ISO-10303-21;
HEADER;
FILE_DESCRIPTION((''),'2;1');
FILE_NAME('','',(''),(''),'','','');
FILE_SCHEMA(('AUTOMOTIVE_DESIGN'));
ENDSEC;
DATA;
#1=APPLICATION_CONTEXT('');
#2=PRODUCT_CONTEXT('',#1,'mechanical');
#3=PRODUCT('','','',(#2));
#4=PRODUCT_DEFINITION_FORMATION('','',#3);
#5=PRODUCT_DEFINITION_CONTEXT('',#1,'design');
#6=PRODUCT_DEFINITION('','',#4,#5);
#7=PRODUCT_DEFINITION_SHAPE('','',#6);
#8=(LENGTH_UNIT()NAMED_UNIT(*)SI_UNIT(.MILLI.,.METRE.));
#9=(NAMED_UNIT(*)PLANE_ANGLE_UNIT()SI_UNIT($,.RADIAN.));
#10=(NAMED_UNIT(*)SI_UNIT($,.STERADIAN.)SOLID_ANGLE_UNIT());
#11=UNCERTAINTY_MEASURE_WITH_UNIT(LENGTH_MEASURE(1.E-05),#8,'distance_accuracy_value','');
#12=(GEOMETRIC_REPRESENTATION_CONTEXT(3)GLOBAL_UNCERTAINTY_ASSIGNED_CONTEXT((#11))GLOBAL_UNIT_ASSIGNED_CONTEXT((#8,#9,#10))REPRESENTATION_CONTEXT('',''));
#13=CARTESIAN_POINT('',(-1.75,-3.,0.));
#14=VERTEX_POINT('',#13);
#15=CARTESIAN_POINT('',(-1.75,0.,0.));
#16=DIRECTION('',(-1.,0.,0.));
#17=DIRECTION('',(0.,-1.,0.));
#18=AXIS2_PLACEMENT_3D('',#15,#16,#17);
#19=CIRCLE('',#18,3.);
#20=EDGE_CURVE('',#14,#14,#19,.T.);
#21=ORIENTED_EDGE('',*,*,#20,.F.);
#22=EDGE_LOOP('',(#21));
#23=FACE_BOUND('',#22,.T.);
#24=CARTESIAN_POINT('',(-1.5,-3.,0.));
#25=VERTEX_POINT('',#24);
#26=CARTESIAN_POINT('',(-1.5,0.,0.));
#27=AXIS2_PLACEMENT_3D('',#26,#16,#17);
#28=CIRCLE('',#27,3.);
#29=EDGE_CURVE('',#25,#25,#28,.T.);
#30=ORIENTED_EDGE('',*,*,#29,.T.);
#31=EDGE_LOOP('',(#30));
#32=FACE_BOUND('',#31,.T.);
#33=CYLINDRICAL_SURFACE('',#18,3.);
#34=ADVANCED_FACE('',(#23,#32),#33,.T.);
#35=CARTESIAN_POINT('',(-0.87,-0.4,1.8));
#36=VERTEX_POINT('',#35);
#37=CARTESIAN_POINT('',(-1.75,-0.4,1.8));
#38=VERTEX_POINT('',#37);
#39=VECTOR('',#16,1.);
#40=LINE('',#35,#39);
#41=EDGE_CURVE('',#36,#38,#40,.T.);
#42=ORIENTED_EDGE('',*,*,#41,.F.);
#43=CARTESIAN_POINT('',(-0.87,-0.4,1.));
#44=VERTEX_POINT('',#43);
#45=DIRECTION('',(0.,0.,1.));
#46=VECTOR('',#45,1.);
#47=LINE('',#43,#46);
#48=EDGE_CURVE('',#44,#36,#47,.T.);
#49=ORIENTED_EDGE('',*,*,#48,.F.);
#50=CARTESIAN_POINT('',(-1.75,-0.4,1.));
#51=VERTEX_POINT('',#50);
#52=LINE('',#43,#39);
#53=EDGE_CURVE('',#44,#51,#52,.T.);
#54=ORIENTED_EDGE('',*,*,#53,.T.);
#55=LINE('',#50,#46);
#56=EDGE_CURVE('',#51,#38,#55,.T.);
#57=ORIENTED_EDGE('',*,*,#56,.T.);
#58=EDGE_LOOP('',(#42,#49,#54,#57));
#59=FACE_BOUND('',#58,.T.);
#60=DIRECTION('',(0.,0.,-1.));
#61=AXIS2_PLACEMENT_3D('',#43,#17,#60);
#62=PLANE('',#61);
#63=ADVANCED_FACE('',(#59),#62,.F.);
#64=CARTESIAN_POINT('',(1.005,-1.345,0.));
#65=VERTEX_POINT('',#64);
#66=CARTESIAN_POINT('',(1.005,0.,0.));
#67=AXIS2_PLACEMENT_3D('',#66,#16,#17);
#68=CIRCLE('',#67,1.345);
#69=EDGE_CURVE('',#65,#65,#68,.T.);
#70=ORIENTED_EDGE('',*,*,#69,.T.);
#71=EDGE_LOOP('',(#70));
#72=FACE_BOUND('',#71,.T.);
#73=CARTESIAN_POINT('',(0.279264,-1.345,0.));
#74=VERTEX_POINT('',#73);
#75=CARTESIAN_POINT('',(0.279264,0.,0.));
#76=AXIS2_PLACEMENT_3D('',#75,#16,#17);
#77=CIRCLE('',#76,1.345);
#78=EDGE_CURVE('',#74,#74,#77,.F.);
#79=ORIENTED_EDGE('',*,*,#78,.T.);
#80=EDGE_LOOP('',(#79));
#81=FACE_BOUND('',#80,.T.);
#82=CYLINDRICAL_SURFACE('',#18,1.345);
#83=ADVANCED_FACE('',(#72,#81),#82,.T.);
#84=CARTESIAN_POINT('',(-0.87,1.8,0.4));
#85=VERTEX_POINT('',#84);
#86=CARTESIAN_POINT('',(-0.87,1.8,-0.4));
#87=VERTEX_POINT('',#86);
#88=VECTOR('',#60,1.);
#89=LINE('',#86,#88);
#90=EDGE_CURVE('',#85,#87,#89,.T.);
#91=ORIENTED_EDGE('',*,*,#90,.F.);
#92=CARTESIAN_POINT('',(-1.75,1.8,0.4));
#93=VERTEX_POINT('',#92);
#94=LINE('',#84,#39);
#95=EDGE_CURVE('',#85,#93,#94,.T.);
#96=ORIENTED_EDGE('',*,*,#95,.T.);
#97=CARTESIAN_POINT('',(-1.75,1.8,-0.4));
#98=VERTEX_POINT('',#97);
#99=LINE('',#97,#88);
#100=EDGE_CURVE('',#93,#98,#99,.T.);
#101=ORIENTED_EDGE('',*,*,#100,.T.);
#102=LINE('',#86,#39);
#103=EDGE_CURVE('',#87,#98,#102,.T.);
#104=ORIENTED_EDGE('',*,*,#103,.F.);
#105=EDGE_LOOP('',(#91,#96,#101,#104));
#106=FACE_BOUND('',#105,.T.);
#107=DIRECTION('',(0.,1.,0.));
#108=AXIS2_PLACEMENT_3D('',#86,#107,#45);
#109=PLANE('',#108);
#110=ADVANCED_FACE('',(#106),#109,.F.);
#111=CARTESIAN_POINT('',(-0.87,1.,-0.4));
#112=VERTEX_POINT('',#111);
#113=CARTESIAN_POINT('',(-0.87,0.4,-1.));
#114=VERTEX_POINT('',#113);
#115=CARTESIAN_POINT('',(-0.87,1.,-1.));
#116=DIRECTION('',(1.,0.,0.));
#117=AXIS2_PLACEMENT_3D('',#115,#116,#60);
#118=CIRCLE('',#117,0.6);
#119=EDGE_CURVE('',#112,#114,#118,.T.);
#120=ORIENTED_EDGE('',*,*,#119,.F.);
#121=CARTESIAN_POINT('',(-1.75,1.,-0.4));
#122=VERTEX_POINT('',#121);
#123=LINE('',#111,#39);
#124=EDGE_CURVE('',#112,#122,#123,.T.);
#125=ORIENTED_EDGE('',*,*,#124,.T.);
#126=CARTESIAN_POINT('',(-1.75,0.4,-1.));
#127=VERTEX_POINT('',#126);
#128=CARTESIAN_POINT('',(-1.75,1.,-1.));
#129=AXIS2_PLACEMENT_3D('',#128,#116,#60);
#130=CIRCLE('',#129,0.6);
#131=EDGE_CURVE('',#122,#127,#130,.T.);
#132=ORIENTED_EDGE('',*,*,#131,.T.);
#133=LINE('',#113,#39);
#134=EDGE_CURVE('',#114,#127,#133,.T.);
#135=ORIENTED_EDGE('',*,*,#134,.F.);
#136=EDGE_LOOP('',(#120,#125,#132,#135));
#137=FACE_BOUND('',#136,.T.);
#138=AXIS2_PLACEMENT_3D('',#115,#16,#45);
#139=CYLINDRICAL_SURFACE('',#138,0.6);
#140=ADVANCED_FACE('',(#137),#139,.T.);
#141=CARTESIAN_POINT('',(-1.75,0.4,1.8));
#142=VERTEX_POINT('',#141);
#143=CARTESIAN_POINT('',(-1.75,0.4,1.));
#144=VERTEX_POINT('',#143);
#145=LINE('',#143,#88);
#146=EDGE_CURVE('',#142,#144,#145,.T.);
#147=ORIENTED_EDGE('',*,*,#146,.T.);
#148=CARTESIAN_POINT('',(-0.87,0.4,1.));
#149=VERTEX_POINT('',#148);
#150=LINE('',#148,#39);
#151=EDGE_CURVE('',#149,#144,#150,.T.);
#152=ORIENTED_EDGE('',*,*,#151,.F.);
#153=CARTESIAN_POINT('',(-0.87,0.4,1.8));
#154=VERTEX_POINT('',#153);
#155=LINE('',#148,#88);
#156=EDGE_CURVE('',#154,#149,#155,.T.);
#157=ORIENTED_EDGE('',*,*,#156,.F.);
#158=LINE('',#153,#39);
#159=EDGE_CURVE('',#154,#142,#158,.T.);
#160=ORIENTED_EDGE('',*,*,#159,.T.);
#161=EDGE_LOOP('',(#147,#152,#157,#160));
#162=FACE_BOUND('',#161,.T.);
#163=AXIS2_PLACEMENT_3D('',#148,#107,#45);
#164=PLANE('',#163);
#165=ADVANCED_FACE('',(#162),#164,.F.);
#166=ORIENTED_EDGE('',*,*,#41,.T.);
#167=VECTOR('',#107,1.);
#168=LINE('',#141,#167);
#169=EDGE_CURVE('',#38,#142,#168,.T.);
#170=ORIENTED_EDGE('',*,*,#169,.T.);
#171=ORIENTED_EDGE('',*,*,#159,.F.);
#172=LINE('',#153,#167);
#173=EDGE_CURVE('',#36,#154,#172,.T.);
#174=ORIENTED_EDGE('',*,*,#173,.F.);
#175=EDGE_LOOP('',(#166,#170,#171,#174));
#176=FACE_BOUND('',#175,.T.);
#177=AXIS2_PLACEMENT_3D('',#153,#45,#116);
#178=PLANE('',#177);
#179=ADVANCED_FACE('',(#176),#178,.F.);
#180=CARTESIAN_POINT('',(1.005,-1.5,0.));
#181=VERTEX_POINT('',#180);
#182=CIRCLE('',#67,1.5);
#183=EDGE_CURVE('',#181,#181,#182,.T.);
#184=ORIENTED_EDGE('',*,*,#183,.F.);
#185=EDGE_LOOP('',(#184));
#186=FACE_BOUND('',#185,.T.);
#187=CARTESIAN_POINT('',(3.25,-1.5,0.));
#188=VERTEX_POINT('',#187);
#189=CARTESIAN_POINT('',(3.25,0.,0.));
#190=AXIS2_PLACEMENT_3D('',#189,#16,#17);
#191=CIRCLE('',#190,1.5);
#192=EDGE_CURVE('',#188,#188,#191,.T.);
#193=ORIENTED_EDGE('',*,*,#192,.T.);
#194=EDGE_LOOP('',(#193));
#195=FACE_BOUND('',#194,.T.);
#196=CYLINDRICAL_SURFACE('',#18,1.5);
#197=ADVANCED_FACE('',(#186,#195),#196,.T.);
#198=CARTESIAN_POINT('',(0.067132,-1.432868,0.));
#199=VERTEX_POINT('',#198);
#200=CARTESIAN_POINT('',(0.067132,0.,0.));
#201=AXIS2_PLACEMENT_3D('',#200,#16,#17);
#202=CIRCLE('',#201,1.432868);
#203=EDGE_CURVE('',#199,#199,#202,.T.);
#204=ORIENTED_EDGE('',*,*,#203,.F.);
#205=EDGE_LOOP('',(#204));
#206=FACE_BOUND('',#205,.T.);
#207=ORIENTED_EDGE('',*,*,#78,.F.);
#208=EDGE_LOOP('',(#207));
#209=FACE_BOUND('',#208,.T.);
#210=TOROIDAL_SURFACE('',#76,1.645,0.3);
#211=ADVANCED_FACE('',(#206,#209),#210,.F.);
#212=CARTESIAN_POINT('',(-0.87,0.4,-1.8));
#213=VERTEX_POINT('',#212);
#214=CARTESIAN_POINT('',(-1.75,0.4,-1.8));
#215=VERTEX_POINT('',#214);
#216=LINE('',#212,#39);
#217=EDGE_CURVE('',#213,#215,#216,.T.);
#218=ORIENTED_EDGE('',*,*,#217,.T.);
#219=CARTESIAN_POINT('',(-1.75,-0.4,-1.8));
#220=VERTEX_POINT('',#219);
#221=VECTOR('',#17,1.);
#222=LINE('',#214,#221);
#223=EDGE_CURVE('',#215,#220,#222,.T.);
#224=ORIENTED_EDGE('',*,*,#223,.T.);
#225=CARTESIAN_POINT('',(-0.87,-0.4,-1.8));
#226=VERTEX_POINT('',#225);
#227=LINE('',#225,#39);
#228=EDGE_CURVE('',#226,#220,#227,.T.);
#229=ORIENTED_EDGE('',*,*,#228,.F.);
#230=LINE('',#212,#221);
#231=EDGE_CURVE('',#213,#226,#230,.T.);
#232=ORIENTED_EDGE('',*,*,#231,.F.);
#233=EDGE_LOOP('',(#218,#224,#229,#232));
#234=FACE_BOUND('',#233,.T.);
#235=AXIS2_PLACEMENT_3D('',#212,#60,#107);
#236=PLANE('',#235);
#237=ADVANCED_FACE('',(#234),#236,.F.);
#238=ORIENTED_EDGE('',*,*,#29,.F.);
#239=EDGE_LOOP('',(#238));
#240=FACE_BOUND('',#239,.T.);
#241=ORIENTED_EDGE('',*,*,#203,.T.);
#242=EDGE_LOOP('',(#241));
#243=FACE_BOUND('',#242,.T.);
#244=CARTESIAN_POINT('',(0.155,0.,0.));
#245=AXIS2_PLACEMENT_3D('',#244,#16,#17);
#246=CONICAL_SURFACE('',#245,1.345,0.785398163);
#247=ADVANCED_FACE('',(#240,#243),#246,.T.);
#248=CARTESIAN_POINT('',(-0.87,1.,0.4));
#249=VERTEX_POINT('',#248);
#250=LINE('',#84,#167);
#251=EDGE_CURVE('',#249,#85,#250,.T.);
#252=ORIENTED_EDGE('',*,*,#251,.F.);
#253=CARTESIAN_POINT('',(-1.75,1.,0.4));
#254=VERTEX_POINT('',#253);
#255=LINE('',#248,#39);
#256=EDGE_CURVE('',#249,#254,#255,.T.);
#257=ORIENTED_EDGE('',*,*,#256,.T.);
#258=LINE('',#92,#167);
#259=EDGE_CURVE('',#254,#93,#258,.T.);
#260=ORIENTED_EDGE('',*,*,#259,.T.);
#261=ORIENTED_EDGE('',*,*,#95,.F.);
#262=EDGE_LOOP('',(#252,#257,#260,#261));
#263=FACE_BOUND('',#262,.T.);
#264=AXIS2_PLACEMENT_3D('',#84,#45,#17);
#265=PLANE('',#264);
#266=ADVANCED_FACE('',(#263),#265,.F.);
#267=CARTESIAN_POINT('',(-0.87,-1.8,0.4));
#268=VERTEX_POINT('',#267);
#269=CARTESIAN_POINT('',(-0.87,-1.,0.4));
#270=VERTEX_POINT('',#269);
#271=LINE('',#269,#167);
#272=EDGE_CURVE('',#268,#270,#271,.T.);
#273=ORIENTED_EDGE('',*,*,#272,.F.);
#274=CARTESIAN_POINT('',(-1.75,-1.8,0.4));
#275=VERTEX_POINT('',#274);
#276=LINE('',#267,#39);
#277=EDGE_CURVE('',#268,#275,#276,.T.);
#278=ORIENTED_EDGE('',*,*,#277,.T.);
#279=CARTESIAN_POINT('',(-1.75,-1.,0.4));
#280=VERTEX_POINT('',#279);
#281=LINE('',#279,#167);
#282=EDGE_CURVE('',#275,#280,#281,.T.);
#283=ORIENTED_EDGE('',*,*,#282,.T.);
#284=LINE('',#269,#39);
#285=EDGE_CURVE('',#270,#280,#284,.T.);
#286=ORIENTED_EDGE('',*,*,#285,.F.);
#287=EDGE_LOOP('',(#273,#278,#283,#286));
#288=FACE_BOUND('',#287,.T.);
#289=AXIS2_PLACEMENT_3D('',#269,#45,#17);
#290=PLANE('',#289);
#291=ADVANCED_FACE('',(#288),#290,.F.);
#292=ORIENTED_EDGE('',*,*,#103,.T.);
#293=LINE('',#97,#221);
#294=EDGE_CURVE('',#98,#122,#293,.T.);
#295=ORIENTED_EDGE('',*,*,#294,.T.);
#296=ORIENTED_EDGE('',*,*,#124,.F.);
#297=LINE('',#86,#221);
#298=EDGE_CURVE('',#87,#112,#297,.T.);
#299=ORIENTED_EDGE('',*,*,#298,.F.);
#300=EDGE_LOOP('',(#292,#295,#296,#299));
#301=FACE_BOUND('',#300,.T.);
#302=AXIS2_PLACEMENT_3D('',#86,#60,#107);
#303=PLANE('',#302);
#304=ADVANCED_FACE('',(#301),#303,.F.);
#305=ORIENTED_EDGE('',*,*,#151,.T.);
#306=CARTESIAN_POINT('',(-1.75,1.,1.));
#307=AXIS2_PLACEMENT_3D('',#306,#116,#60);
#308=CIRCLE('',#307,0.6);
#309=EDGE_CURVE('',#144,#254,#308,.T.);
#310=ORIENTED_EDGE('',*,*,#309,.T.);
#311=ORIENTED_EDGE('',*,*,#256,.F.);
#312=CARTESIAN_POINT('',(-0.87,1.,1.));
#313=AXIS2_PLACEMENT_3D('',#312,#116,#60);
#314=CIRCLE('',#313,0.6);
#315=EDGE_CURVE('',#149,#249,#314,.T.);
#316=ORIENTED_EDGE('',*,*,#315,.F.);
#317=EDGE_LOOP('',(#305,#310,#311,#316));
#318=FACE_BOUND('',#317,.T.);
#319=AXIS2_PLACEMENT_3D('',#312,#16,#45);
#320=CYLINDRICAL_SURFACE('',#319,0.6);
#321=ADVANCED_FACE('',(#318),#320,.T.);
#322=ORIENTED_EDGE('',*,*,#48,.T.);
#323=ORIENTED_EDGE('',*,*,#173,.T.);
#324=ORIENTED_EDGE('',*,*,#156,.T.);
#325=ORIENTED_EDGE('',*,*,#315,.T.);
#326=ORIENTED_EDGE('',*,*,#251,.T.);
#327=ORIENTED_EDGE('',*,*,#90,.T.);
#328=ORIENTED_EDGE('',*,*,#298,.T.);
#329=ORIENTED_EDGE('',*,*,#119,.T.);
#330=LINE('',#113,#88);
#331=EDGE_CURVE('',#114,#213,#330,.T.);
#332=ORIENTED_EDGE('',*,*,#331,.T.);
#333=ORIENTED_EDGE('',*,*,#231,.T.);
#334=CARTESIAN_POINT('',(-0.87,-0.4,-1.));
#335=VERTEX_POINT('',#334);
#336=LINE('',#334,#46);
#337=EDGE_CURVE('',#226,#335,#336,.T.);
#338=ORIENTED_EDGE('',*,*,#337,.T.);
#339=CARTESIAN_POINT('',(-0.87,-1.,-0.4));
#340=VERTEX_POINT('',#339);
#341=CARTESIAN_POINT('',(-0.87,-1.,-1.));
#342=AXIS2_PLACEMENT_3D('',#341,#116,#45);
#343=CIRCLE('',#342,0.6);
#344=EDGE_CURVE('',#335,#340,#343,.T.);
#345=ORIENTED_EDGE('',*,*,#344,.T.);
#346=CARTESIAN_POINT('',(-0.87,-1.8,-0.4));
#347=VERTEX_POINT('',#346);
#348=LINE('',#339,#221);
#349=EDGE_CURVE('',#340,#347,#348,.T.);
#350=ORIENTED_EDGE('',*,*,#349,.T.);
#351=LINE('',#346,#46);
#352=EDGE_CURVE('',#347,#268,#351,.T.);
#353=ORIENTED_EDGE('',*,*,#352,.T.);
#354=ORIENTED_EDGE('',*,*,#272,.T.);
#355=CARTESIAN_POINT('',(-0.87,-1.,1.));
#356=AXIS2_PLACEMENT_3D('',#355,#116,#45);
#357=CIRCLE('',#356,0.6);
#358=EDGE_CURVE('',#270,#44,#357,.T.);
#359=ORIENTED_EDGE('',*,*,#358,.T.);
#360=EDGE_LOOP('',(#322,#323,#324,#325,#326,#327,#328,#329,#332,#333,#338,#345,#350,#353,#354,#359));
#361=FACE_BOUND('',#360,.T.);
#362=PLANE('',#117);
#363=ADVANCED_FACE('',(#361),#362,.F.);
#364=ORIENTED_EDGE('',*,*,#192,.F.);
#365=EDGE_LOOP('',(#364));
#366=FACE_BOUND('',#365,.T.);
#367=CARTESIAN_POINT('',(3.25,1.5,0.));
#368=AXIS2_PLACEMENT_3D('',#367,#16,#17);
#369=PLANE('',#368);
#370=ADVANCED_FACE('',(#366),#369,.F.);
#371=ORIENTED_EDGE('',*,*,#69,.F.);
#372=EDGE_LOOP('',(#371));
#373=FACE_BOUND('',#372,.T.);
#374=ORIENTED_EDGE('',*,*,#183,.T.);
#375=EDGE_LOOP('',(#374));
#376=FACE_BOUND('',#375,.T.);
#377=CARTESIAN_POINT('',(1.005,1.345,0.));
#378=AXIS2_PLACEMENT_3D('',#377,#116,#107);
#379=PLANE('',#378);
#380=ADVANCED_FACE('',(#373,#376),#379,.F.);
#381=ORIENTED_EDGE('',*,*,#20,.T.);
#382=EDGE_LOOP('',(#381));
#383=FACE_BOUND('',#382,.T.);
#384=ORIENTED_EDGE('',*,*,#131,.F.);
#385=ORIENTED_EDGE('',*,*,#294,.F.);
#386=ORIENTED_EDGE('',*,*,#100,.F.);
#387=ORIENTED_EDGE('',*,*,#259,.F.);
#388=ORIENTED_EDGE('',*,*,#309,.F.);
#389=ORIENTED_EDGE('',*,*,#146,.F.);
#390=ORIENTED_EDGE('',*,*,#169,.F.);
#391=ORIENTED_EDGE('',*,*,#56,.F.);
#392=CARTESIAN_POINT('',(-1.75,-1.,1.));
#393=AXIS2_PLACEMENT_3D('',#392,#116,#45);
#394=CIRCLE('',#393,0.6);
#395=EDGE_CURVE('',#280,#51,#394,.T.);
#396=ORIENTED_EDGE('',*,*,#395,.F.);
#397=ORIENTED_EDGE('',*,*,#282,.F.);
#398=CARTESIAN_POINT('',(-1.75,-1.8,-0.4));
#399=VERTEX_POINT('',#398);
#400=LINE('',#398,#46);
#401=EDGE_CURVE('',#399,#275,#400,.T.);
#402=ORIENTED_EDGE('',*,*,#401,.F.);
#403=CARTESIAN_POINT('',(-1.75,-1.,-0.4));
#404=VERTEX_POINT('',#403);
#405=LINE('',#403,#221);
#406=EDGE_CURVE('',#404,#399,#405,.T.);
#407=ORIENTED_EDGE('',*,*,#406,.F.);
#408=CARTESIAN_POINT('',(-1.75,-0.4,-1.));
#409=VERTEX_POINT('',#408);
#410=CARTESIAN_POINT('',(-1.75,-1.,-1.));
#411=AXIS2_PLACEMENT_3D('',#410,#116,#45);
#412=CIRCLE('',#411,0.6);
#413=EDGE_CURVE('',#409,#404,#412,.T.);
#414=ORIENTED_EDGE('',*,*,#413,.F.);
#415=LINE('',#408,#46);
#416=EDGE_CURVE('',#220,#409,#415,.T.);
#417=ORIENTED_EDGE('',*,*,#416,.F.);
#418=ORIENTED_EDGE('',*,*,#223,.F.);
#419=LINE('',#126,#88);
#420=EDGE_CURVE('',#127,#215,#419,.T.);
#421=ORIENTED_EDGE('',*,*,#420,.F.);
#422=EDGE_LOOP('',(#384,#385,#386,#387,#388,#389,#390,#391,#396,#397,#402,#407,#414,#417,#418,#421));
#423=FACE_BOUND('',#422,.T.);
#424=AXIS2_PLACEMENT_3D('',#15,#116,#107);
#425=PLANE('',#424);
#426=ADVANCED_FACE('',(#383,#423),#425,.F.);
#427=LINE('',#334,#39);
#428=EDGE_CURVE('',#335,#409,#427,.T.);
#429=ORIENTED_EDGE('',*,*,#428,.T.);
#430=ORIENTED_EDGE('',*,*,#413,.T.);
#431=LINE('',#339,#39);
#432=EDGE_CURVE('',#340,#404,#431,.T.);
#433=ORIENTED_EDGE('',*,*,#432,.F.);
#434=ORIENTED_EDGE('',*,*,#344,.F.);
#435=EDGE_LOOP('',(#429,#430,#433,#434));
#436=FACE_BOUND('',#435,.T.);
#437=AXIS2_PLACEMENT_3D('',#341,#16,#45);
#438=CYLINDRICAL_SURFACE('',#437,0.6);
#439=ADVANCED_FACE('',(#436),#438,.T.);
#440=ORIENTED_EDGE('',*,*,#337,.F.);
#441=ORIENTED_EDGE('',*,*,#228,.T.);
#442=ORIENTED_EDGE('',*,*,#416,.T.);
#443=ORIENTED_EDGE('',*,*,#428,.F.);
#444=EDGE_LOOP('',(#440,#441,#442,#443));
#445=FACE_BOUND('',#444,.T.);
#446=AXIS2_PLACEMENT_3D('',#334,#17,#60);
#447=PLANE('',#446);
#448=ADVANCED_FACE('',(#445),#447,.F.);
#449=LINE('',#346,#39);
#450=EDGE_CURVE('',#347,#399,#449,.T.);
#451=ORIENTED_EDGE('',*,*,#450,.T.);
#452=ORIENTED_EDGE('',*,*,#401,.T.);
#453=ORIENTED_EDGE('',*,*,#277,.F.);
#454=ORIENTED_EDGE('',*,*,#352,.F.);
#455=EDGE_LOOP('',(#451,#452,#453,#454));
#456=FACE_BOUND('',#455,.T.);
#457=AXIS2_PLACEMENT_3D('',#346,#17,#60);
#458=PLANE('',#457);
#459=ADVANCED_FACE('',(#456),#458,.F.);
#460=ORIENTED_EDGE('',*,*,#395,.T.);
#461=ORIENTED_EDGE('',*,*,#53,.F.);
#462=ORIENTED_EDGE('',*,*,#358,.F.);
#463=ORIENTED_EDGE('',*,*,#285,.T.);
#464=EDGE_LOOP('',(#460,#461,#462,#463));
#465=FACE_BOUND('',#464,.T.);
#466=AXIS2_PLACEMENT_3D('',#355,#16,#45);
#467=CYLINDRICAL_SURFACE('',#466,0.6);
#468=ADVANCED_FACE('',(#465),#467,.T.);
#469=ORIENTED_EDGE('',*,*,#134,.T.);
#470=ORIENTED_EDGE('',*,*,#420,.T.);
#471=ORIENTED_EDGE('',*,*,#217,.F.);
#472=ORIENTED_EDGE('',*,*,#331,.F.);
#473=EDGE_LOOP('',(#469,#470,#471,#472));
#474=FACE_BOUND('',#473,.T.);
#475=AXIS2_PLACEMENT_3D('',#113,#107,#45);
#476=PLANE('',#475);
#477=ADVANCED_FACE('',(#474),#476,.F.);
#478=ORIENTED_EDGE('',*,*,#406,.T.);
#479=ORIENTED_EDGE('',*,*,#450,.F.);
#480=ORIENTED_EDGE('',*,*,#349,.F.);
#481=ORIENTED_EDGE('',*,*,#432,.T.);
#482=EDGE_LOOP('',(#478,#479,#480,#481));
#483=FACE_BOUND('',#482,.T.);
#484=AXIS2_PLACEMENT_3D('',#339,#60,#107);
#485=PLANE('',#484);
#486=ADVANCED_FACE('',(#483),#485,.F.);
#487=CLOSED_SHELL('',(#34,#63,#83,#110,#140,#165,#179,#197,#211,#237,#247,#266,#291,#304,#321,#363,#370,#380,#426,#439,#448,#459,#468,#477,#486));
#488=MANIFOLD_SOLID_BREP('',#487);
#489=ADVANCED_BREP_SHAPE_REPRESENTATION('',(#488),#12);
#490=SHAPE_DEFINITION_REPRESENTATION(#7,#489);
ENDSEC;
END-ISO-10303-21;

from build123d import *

# Parameters (mm, degrees)
FILLET1_R          = 0.3
CUT_EXTRUDE1_DEPTH = 0.88


with BuildPart() as part:
    # Sketch1 → Revolve1 (revolve)
    with BuildSketch(Plane.XY, mode=Mode.PRIVATE) as revolve1_sk:
        Polygon((-1.75, 0), (-1.75, 3), (-1.5, 3), (0.155, 1.345), (1.005, 1.345), (1.005, 1.5), (3.25, 1.5), (3.25, 0), align=None)
    revolve(revolve1_sk.sketch.rotate(Axis((-1.75, 0, 0), (1, 0, 0)), 180), axis=Axis((-1.75, 0, 0), (1, 0, 0)))

    # Fillet1
    fillet1_edges = [part.edges().sort_by_distance(p)[0] for p in [
        (0.155, 1.345, 0),
    ]]
    fillet(fillet1_edges, radius=FILLET1_R)

    # Sketch2 → Cut-Extrude1 (cut)
    with BuildSketch(Plane.ZY.offset(1.75)):
        with BuildLine():
            Line((-0.4, 1.8), (0.4, 1.8))
            Line((0.4, 1.8), (0.4, 1))
            ThreePointArc((0.4, 1), (0.575735931, 0.575735931), (1, 0.4))
            Line((1, 0.4), (1.8, 0.4))
            Line((1.8, 0.4), (1.8, -0.4))
            Line((1.8, -0.4), (1, -0.4))
            ThreePointArc((1, -0.4), (0.575735931, -0.575735931), (0.4, -1))
            Line((0.4, -1), (0.4, -1.8))
            Line((0.4, -1.8), (-0.4, -1.8))
            Line((-0.4, -1.8), (-0.4, -1))
            ThreePointArc((-0.4, -1), (-0.575735931, -0.575735931), (-1, -0.4))
            Line((-1, -0.4), (-1.8, -0.4))
            Line((-1.8, -0.4), (-1.8, 0.4))
            Line((-1.8, 0.4), (-1, 0.4))
            ThreePointArc((-1, 0.4), (-0.575735931, 0.575735931), (-0.4, 1))
            Line((-0.4, 1), (-0.4, 1.8))
        make_face()
    extrude(amount=-CUT_EXTRUDE1_DEPTH, mode=Mode.SUBTRACT)


solid = part.part
